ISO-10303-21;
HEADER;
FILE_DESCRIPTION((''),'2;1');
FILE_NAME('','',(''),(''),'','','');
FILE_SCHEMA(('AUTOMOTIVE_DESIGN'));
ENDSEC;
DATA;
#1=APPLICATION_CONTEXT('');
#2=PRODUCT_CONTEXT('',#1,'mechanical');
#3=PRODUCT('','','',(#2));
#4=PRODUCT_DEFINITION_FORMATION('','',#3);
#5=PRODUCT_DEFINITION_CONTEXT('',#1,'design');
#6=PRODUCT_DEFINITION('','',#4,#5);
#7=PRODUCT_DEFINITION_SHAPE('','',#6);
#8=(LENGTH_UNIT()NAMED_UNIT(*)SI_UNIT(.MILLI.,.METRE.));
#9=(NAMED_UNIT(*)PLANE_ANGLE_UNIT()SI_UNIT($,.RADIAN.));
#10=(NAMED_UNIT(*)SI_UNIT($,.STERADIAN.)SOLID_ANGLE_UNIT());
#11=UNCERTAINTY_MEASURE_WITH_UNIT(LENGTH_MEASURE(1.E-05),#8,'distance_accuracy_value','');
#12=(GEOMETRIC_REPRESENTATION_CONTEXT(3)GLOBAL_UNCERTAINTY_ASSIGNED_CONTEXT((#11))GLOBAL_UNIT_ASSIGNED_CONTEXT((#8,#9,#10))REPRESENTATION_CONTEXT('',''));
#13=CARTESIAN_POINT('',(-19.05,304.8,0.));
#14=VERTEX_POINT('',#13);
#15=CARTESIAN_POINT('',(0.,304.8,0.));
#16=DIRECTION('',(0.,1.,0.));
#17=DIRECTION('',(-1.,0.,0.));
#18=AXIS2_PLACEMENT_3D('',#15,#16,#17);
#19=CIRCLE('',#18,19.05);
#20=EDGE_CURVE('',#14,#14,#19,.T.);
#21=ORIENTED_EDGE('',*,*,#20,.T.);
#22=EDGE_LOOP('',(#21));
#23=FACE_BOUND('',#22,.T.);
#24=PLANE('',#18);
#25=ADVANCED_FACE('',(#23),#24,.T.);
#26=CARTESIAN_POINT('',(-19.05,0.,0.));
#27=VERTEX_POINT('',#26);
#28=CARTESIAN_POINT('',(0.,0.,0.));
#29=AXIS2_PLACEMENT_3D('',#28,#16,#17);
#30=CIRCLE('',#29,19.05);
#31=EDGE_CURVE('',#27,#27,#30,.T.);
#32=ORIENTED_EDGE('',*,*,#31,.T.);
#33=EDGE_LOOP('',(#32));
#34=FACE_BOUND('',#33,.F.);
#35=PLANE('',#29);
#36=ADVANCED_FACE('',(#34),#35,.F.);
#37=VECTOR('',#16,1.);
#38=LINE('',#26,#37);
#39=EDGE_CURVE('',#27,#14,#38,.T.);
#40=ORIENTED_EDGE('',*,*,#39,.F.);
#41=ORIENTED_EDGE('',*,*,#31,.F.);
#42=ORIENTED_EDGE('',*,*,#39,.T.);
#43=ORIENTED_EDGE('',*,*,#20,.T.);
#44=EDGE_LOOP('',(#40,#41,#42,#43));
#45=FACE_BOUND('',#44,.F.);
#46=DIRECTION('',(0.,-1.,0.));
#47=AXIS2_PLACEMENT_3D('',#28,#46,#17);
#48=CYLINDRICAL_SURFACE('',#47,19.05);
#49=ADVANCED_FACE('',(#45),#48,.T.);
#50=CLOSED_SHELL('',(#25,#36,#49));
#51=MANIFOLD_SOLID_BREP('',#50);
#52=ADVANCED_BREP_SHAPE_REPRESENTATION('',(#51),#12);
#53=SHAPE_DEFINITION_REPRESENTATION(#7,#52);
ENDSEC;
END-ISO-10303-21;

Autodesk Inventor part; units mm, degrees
ref_plane "YZ Plane" through (0, 0, 0) normal (1, 0, 0) x (0, 1, 0)
ref_plane "XZ Plane" through (0, 0, 0) normal (0, 1, 0) x (-1, 0, 0)
ref_plane "XY Plane" through (0, 0, 0) normal (0, 0, 1) x (1, 0, 0)
sketch "Sketch1" plane through (0, 0, 0) normal (0, 1, 0) x (-1, 0, 0)
  circle A0 centre (0, 0) radius 19.05
  dimension "d0" = 38.1
extrude "Extrusion1" add sketch "Sketch1" along normal blind 304.8
properties part number "Intake roller"
